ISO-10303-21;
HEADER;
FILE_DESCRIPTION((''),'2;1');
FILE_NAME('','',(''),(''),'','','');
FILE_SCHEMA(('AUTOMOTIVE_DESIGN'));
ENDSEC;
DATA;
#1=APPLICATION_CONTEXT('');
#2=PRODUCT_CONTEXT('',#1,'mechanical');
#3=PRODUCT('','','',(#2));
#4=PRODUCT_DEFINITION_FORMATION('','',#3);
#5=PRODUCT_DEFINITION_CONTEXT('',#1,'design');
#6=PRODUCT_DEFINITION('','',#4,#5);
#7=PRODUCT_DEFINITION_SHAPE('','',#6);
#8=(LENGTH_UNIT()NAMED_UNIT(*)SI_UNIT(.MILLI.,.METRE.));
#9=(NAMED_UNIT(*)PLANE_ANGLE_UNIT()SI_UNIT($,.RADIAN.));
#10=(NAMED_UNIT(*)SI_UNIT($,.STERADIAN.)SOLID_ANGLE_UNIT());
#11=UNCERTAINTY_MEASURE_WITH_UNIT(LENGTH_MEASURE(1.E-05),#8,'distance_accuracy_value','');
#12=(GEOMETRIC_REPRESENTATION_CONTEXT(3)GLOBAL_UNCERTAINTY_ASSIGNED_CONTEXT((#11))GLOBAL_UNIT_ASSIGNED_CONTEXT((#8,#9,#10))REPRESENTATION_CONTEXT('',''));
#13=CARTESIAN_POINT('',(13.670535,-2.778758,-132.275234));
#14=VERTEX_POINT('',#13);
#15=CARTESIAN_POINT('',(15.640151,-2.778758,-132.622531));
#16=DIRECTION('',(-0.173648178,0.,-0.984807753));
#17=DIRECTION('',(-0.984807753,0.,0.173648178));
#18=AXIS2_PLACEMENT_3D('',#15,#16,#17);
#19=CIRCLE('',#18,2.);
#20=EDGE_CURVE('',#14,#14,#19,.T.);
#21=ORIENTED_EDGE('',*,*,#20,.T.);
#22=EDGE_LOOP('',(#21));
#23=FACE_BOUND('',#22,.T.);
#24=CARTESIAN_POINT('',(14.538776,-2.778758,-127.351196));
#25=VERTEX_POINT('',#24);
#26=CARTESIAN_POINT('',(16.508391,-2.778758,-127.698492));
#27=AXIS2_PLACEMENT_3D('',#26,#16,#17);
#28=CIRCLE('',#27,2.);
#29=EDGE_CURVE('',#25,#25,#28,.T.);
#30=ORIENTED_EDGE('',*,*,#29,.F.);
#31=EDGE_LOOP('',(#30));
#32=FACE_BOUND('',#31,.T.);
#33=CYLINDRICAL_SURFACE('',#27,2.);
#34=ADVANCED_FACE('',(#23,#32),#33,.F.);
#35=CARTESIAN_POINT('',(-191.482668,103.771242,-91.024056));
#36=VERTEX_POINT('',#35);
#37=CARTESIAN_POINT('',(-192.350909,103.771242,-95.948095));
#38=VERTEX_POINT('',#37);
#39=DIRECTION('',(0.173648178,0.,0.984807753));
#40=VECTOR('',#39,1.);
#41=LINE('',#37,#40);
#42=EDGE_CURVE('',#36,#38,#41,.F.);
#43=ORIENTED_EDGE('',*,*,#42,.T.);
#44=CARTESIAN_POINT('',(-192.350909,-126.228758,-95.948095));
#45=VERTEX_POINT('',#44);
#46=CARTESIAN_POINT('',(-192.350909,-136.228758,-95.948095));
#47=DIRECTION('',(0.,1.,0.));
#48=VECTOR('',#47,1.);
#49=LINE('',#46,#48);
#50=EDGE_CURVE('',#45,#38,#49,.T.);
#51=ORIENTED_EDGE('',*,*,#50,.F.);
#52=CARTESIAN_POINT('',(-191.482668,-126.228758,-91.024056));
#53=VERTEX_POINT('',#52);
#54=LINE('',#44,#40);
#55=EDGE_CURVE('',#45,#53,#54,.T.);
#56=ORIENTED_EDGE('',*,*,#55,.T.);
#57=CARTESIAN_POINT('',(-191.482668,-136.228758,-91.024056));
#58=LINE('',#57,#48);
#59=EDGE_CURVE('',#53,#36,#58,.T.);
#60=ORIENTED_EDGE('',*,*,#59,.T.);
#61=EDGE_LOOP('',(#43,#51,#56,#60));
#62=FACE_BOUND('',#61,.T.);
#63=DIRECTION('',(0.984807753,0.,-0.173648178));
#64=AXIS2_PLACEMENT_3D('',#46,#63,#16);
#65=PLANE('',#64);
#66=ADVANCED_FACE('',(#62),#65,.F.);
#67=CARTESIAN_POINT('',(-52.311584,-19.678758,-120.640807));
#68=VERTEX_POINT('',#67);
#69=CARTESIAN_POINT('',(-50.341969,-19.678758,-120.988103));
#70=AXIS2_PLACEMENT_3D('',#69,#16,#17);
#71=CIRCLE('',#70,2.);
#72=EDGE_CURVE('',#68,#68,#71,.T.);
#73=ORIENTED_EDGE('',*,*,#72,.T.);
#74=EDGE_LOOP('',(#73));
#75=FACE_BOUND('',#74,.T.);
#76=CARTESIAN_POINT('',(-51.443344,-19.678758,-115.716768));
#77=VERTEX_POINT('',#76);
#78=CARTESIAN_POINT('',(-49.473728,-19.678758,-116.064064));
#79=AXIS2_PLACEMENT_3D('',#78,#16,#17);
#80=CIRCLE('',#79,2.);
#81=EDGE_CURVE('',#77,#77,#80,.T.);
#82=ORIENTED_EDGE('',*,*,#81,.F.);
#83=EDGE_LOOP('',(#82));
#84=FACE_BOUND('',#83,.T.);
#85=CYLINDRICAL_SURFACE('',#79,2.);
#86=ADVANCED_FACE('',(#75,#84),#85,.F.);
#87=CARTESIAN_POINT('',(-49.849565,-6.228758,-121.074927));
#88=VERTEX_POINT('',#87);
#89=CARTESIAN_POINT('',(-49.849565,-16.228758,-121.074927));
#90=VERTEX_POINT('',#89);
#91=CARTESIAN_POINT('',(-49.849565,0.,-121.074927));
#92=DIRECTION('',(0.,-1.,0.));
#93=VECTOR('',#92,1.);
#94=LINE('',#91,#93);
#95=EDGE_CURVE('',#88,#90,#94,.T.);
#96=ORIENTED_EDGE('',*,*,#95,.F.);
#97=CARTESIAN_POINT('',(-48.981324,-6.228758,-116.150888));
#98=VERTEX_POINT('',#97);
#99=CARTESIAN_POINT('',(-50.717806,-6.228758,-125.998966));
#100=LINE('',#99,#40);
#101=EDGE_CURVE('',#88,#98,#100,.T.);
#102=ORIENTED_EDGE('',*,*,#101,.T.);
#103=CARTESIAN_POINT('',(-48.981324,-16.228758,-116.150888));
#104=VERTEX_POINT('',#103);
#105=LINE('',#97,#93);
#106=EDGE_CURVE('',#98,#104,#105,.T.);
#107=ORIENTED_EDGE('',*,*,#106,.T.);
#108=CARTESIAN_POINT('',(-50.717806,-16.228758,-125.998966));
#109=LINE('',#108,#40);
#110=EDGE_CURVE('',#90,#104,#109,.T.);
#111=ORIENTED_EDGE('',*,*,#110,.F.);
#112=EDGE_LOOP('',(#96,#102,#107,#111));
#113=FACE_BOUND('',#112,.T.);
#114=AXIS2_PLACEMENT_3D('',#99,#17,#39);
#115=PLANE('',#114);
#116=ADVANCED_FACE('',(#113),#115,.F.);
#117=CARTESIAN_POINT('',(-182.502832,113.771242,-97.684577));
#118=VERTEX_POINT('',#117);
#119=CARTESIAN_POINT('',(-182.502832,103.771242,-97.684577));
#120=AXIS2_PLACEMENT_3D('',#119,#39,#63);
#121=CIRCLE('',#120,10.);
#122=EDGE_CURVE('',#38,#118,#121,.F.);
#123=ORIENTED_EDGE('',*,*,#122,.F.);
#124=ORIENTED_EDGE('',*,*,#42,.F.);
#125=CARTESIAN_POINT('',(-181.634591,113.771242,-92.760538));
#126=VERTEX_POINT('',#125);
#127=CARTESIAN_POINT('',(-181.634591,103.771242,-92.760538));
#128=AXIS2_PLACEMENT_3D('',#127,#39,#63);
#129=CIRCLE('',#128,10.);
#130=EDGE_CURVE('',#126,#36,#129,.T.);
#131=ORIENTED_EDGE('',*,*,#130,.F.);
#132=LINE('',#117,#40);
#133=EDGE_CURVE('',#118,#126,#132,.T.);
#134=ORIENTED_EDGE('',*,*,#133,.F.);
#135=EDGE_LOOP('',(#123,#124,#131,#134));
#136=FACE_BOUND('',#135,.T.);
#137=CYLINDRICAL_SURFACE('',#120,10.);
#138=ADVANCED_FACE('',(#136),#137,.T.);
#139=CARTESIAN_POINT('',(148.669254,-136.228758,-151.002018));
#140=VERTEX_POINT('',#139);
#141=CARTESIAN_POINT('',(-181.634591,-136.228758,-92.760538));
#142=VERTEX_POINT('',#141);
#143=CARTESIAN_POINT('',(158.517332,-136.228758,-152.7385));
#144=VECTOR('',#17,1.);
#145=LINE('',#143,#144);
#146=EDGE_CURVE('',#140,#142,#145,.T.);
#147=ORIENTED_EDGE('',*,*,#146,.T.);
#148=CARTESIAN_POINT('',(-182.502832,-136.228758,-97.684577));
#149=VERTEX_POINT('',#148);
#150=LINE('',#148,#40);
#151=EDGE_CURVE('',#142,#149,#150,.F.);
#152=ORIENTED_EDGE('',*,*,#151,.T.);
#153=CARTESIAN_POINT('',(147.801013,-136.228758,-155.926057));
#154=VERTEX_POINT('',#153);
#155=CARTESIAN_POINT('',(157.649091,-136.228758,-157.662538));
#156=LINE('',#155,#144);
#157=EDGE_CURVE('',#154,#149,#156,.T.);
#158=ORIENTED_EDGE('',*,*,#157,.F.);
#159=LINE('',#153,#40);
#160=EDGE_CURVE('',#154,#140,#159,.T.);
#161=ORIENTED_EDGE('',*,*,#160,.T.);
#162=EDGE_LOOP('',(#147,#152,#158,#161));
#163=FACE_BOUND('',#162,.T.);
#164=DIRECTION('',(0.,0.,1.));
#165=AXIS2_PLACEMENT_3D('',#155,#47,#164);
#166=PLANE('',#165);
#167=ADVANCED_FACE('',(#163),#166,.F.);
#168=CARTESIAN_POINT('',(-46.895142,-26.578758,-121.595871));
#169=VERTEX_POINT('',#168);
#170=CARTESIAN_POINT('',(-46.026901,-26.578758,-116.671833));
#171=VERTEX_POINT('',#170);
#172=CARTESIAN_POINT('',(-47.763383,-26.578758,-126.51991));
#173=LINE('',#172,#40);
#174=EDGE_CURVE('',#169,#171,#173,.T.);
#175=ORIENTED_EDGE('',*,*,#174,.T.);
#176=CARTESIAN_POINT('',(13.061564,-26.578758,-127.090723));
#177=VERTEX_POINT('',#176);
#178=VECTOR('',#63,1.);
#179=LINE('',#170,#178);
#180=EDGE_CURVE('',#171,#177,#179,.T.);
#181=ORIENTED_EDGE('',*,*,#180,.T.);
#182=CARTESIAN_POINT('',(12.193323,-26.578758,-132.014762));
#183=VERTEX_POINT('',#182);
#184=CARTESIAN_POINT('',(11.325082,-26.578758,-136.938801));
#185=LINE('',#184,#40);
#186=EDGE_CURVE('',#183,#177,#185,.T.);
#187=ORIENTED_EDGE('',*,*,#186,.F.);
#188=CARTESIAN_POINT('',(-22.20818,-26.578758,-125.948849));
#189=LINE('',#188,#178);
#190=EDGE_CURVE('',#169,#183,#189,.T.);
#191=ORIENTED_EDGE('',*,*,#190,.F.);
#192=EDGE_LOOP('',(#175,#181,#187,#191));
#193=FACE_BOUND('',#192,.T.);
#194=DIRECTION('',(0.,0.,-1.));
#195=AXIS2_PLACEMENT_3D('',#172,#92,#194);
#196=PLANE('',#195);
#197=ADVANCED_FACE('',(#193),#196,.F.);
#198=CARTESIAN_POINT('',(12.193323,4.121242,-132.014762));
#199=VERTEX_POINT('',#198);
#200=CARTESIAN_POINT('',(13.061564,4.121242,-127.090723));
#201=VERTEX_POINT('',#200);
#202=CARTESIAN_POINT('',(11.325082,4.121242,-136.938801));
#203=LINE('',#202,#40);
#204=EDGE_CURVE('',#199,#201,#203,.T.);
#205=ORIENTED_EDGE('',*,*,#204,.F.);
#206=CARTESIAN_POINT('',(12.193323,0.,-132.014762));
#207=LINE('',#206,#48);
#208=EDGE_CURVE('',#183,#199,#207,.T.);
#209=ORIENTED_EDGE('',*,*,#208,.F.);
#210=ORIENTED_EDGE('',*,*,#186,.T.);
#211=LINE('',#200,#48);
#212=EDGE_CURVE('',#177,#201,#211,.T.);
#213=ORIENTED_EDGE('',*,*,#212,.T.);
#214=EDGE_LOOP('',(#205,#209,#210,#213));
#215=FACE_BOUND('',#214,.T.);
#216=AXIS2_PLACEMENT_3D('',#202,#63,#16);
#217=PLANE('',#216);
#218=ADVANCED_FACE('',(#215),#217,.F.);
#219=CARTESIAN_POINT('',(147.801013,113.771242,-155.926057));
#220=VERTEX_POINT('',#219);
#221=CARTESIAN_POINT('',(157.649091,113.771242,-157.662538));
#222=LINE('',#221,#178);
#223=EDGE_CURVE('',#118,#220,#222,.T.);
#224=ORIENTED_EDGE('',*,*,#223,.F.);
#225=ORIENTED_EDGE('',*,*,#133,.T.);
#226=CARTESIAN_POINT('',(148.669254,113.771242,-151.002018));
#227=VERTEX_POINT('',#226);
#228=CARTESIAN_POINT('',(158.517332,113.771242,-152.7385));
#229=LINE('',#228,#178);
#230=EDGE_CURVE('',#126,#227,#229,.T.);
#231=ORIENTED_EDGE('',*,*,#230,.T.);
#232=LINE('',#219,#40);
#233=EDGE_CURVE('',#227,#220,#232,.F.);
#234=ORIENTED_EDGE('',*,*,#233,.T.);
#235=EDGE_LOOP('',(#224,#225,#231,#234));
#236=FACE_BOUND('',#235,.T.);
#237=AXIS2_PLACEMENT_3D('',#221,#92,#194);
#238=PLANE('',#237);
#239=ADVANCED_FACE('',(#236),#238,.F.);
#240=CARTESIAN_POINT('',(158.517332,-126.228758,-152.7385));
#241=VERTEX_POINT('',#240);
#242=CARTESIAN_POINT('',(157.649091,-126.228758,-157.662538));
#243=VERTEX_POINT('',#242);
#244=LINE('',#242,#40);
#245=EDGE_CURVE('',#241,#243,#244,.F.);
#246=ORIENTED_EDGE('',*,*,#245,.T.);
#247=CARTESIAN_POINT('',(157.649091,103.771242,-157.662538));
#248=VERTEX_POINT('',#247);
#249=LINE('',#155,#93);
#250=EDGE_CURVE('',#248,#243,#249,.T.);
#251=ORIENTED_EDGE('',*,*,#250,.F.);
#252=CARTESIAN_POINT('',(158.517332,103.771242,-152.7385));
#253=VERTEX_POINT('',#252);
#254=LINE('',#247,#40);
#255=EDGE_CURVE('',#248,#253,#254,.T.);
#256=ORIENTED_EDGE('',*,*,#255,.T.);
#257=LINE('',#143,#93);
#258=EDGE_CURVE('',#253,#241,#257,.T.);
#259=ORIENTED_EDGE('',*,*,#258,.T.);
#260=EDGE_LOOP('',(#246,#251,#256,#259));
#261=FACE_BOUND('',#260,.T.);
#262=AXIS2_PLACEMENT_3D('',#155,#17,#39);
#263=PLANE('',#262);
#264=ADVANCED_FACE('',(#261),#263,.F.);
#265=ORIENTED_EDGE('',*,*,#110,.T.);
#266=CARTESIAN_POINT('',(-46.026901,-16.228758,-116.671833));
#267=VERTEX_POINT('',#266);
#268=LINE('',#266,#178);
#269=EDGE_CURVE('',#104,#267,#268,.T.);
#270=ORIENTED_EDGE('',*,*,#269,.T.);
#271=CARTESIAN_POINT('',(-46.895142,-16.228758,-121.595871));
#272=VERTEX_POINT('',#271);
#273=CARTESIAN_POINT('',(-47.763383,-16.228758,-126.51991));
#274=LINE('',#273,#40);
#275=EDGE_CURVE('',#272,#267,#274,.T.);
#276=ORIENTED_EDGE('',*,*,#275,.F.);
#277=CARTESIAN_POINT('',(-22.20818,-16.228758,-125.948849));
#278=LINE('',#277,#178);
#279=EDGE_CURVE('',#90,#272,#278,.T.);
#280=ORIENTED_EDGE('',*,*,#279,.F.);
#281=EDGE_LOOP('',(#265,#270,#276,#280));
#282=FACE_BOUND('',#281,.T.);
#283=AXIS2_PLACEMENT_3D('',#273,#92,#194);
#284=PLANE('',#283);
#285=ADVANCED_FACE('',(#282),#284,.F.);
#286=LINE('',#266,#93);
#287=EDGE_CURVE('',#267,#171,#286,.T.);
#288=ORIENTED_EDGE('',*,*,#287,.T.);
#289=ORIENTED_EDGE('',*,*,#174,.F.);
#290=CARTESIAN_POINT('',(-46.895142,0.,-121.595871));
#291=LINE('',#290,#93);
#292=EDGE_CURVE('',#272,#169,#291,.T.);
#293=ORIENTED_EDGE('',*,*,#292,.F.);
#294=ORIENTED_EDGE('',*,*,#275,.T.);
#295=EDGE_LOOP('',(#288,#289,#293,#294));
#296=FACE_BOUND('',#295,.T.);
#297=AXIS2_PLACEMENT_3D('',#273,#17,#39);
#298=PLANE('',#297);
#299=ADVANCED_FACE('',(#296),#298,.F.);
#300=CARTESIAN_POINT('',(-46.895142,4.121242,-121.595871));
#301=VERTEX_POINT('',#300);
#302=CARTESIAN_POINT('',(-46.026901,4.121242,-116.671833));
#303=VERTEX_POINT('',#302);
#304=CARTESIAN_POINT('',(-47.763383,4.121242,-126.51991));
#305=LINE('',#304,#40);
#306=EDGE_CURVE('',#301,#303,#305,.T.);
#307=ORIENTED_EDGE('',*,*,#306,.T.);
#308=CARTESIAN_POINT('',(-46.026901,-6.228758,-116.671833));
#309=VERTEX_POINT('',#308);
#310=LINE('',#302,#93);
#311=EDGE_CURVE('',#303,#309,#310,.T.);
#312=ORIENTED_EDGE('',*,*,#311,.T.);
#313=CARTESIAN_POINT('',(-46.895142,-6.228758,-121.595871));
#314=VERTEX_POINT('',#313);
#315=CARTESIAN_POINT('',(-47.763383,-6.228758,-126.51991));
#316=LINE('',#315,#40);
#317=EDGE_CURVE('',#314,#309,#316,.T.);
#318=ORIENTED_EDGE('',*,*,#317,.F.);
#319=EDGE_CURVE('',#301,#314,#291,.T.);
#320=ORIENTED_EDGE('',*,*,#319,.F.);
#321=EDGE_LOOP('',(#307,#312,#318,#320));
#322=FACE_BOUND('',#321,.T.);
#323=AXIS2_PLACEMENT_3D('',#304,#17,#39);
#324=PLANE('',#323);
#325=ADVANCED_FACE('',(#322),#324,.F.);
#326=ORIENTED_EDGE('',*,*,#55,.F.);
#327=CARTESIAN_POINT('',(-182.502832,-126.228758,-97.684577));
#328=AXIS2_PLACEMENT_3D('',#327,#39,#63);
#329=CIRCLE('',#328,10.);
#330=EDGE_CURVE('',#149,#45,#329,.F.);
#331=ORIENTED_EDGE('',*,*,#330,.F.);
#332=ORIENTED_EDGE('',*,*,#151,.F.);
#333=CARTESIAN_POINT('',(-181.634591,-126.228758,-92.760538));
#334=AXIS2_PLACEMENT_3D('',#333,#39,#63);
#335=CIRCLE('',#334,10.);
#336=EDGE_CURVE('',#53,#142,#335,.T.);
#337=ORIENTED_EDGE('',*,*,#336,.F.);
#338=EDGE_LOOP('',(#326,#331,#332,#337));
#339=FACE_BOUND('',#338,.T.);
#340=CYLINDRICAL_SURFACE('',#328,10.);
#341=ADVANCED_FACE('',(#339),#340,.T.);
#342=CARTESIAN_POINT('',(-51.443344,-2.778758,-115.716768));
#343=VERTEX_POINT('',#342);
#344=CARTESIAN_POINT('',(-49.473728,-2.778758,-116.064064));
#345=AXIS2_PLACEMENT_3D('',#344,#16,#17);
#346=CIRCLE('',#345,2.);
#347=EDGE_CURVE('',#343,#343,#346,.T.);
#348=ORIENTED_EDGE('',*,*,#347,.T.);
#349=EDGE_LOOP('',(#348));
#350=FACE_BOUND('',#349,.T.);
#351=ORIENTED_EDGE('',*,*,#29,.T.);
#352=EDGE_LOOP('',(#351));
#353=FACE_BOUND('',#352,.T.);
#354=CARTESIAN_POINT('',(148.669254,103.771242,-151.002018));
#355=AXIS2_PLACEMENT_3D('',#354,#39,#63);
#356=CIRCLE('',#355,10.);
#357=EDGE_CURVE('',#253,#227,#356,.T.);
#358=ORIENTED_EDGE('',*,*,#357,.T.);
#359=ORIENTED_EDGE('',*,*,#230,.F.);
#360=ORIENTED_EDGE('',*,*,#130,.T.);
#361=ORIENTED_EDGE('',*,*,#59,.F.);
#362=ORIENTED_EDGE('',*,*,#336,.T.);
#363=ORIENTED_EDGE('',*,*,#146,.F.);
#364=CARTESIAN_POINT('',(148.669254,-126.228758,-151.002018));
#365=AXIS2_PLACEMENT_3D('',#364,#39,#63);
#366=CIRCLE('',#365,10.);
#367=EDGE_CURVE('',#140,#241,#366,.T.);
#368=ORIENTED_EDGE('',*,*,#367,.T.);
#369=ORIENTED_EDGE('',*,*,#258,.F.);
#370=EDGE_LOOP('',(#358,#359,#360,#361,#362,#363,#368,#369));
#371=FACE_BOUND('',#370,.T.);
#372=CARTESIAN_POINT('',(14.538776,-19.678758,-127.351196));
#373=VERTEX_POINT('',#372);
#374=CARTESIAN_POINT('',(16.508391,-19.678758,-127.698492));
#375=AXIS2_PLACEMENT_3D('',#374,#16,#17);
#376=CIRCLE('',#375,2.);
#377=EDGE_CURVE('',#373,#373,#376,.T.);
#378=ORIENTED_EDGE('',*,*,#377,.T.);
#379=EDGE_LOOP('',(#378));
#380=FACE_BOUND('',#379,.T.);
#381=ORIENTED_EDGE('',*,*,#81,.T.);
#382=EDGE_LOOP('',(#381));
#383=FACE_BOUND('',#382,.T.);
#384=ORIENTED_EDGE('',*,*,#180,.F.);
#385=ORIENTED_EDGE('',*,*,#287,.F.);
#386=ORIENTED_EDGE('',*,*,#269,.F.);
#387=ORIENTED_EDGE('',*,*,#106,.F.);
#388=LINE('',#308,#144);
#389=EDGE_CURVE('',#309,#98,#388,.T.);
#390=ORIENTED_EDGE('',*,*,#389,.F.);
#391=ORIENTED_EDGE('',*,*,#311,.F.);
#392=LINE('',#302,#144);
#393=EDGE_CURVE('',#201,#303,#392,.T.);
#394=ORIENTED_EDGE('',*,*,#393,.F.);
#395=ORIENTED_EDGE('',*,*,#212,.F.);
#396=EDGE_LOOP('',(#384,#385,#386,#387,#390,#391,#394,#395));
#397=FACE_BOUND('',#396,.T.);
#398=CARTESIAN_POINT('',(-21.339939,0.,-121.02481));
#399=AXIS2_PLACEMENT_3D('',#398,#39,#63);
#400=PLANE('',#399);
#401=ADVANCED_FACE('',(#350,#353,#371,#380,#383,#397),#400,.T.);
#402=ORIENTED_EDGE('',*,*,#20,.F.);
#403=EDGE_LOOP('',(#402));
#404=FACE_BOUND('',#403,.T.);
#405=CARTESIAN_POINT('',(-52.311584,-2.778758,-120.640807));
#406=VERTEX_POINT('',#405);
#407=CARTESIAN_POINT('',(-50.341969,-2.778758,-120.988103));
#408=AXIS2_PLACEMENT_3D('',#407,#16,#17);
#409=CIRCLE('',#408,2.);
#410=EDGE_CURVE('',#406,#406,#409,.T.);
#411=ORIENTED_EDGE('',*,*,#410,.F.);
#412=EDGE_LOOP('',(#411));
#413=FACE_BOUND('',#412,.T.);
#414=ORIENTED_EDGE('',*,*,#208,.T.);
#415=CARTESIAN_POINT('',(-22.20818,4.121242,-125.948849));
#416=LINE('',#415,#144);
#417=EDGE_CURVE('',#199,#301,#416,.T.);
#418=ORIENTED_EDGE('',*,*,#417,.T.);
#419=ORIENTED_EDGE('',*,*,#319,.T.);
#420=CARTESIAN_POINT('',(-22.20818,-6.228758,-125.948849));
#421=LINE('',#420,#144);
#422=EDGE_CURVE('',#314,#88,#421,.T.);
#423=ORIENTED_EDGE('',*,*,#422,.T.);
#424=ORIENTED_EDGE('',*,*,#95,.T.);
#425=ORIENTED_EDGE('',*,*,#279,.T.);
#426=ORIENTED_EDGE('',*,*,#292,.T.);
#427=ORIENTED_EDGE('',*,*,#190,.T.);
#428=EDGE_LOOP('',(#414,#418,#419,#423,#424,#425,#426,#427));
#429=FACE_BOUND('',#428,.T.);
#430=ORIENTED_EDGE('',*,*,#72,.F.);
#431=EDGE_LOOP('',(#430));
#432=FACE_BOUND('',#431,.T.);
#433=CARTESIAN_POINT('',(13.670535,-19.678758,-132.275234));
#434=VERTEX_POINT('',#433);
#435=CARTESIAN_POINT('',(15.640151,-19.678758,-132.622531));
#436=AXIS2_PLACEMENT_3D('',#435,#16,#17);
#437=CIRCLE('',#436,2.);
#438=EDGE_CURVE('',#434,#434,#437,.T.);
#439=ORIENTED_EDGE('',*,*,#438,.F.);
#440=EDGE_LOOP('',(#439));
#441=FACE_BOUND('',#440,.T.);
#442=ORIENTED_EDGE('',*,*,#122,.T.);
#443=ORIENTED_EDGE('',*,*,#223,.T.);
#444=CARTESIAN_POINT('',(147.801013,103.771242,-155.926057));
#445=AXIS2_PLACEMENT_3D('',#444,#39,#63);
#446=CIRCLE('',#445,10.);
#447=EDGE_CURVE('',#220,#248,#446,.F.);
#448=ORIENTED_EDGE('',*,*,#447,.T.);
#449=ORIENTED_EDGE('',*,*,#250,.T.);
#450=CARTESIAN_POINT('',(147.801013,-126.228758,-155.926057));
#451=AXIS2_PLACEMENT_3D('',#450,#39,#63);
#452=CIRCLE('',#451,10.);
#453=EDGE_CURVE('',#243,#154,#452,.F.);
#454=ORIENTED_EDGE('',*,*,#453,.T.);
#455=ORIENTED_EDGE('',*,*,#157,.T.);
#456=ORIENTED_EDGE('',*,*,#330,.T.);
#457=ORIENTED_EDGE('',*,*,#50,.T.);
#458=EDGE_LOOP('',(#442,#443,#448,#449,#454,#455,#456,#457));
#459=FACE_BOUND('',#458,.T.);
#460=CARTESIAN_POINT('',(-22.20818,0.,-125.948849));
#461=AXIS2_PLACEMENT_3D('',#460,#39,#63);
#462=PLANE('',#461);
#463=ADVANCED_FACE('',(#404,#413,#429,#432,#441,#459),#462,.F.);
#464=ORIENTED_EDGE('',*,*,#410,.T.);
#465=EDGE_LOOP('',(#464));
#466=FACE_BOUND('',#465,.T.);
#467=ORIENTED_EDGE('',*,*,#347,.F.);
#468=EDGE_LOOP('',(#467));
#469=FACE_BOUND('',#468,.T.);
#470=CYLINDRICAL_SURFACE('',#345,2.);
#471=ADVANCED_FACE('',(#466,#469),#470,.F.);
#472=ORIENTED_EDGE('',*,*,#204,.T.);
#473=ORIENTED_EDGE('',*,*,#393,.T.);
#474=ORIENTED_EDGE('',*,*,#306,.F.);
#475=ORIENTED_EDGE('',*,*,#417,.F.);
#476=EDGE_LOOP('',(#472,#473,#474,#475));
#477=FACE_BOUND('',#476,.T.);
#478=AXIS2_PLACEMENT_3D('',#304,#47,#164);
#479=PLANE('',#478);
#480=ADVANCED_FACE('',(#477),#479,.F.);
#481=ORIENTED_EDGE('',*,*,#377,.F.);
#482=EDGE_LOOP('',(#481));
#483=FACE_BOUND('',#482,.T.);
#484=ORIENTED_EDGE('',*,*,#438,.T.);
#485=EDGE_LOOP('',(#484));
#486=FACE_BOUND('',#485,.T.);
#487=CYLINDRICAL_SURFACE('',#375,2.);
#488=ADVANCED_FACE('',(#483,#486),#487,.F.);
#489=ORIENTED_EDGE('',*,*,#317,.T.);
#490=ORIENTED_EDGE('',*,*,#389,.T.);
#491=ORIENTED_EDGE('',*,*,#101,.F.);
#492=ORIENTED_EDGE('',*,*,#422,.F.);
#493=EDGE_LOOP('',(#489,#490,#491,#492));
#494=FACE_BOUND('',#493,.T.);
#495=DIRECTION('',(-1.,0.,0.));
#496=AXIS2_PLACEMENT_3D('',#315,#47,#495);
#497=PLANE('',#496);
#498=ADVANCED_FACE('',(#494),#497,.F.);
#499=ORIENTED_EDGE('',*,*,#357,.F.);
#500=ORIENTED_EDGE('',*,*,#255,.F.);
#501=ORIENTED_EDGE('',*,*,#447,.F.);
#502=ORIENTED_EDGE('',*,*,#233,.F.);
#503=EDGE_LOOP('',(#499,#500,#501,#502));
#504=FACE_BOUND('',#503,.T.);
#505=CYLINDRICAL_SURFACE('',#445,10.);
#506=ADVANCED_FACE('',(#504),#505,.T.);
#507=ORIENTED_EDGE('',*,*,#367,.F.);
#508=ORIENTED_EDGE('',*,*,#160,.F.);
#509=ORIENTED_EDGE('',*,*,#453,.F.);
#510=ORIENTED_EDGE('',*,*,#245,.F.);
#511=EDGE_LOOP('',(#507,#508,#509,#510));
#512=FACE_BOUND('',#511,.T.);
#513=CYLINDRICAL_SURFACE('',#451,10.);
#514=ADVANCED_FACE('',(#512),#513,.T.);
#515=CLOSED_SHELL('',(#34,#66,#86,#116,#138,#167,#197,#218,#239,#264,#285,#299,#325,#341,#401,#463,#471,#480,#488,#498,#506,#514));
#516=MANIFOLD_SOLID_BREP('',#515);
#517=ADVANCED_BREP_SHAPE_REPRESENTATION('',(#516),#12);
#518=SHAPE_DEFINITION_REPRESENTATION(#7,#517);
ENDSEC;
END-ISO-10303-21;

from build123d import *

# Parameters (mm, degrees)
SKETCH1_W           = 355.39931416
SKETCH1_H           = 250
BOSS_EXTRUDE1_DEPTH = 5
CUT_EXTRUDE1_DEPTH  = 10
SKETCH3_R           = 2
CUT_EXTRUDE2_DEPTH  = 5
FILLET1_R           = 10


with BuildPart() as part:
    # Sketch1 → Boss-Extrude1 (new body)
    with BuildSketch(Plane(origin=(-21.339939358, 0, -121.024810115), x_dir=(-0.984807753, 0, 0.173648178), z_dir=(-0.173648178, 0, -0.984807753))):
        with Locations((-4.932202266, -11.228757924)):
            Rectangle(SKETCH1_W, SKETCH1_H)
    extrude(amount=BOSS_EXTRUDE1_DEPTH)

    # Sketch2 → Cut-Extrude1 (cut)
    with BuildSketch(Plane(origin=(-21.339939358, 0, -121.024810115), x_dir=(0.984807753, 0, -0.173648178), z_dir=(0.173648178, 0, 0.984807753))):
        Polygon((-25.067797734, -16.228757924), (-25.067797734, -26.578757924), (34.932202266, -26.578757924), (34.932202266, 4.121242076), (-25.067797734, 4.121242076), (-25.067797734, -6.228757924), (-28.067797734, -6.228757924), (-28.067797734, -16.228757924), align=None)
    extrude(amount=-CUT_EXTRUDE1_DEPTH, mode=Mode.SUBTRACT)

    # Sketch3 → Cut-Extrude2 (cut)
    with BuildSketch(Plane(origin=(-22.208180247, 0, -125.94884888), x_dir=(-0.984807753, 0, 0.173648178), z_dir=(-0.173648178, 0, -0.984807753))):
        with Locations((28.567797734, -19.678757924)):
            Circle(SKETCH3_R)
        with Locations((28.567797734, -2.778757924)):
            Circle(SKETCH3_R)
        with Locations((-38.432202266, -2.778757924)):
            Circle(SKETCH3_R)
        with Locations((-38.432202266, -19.678757924)):
            Circle(SKETCH3_R)
    extrude(amount=-CUT_EXTRUDE2_DEPTH, mode=Mode.SUBTRACT)

    # Fillet1
    fillet1_edges = [part.edges().sort_by_distance(p)[0] for p in [
        (158.083211229, 113.771242076, -155.200519056),
        (-191.916788771, 113.771242076, -93.486075809),
        (-191.916788771, -136.228757924, -93.486075809),
        (158.083211229, -136.228757924, -155.200519056),
    ]]
    fillet(fillet1_edges, radius=FILLET1_R)


solid = part.part
